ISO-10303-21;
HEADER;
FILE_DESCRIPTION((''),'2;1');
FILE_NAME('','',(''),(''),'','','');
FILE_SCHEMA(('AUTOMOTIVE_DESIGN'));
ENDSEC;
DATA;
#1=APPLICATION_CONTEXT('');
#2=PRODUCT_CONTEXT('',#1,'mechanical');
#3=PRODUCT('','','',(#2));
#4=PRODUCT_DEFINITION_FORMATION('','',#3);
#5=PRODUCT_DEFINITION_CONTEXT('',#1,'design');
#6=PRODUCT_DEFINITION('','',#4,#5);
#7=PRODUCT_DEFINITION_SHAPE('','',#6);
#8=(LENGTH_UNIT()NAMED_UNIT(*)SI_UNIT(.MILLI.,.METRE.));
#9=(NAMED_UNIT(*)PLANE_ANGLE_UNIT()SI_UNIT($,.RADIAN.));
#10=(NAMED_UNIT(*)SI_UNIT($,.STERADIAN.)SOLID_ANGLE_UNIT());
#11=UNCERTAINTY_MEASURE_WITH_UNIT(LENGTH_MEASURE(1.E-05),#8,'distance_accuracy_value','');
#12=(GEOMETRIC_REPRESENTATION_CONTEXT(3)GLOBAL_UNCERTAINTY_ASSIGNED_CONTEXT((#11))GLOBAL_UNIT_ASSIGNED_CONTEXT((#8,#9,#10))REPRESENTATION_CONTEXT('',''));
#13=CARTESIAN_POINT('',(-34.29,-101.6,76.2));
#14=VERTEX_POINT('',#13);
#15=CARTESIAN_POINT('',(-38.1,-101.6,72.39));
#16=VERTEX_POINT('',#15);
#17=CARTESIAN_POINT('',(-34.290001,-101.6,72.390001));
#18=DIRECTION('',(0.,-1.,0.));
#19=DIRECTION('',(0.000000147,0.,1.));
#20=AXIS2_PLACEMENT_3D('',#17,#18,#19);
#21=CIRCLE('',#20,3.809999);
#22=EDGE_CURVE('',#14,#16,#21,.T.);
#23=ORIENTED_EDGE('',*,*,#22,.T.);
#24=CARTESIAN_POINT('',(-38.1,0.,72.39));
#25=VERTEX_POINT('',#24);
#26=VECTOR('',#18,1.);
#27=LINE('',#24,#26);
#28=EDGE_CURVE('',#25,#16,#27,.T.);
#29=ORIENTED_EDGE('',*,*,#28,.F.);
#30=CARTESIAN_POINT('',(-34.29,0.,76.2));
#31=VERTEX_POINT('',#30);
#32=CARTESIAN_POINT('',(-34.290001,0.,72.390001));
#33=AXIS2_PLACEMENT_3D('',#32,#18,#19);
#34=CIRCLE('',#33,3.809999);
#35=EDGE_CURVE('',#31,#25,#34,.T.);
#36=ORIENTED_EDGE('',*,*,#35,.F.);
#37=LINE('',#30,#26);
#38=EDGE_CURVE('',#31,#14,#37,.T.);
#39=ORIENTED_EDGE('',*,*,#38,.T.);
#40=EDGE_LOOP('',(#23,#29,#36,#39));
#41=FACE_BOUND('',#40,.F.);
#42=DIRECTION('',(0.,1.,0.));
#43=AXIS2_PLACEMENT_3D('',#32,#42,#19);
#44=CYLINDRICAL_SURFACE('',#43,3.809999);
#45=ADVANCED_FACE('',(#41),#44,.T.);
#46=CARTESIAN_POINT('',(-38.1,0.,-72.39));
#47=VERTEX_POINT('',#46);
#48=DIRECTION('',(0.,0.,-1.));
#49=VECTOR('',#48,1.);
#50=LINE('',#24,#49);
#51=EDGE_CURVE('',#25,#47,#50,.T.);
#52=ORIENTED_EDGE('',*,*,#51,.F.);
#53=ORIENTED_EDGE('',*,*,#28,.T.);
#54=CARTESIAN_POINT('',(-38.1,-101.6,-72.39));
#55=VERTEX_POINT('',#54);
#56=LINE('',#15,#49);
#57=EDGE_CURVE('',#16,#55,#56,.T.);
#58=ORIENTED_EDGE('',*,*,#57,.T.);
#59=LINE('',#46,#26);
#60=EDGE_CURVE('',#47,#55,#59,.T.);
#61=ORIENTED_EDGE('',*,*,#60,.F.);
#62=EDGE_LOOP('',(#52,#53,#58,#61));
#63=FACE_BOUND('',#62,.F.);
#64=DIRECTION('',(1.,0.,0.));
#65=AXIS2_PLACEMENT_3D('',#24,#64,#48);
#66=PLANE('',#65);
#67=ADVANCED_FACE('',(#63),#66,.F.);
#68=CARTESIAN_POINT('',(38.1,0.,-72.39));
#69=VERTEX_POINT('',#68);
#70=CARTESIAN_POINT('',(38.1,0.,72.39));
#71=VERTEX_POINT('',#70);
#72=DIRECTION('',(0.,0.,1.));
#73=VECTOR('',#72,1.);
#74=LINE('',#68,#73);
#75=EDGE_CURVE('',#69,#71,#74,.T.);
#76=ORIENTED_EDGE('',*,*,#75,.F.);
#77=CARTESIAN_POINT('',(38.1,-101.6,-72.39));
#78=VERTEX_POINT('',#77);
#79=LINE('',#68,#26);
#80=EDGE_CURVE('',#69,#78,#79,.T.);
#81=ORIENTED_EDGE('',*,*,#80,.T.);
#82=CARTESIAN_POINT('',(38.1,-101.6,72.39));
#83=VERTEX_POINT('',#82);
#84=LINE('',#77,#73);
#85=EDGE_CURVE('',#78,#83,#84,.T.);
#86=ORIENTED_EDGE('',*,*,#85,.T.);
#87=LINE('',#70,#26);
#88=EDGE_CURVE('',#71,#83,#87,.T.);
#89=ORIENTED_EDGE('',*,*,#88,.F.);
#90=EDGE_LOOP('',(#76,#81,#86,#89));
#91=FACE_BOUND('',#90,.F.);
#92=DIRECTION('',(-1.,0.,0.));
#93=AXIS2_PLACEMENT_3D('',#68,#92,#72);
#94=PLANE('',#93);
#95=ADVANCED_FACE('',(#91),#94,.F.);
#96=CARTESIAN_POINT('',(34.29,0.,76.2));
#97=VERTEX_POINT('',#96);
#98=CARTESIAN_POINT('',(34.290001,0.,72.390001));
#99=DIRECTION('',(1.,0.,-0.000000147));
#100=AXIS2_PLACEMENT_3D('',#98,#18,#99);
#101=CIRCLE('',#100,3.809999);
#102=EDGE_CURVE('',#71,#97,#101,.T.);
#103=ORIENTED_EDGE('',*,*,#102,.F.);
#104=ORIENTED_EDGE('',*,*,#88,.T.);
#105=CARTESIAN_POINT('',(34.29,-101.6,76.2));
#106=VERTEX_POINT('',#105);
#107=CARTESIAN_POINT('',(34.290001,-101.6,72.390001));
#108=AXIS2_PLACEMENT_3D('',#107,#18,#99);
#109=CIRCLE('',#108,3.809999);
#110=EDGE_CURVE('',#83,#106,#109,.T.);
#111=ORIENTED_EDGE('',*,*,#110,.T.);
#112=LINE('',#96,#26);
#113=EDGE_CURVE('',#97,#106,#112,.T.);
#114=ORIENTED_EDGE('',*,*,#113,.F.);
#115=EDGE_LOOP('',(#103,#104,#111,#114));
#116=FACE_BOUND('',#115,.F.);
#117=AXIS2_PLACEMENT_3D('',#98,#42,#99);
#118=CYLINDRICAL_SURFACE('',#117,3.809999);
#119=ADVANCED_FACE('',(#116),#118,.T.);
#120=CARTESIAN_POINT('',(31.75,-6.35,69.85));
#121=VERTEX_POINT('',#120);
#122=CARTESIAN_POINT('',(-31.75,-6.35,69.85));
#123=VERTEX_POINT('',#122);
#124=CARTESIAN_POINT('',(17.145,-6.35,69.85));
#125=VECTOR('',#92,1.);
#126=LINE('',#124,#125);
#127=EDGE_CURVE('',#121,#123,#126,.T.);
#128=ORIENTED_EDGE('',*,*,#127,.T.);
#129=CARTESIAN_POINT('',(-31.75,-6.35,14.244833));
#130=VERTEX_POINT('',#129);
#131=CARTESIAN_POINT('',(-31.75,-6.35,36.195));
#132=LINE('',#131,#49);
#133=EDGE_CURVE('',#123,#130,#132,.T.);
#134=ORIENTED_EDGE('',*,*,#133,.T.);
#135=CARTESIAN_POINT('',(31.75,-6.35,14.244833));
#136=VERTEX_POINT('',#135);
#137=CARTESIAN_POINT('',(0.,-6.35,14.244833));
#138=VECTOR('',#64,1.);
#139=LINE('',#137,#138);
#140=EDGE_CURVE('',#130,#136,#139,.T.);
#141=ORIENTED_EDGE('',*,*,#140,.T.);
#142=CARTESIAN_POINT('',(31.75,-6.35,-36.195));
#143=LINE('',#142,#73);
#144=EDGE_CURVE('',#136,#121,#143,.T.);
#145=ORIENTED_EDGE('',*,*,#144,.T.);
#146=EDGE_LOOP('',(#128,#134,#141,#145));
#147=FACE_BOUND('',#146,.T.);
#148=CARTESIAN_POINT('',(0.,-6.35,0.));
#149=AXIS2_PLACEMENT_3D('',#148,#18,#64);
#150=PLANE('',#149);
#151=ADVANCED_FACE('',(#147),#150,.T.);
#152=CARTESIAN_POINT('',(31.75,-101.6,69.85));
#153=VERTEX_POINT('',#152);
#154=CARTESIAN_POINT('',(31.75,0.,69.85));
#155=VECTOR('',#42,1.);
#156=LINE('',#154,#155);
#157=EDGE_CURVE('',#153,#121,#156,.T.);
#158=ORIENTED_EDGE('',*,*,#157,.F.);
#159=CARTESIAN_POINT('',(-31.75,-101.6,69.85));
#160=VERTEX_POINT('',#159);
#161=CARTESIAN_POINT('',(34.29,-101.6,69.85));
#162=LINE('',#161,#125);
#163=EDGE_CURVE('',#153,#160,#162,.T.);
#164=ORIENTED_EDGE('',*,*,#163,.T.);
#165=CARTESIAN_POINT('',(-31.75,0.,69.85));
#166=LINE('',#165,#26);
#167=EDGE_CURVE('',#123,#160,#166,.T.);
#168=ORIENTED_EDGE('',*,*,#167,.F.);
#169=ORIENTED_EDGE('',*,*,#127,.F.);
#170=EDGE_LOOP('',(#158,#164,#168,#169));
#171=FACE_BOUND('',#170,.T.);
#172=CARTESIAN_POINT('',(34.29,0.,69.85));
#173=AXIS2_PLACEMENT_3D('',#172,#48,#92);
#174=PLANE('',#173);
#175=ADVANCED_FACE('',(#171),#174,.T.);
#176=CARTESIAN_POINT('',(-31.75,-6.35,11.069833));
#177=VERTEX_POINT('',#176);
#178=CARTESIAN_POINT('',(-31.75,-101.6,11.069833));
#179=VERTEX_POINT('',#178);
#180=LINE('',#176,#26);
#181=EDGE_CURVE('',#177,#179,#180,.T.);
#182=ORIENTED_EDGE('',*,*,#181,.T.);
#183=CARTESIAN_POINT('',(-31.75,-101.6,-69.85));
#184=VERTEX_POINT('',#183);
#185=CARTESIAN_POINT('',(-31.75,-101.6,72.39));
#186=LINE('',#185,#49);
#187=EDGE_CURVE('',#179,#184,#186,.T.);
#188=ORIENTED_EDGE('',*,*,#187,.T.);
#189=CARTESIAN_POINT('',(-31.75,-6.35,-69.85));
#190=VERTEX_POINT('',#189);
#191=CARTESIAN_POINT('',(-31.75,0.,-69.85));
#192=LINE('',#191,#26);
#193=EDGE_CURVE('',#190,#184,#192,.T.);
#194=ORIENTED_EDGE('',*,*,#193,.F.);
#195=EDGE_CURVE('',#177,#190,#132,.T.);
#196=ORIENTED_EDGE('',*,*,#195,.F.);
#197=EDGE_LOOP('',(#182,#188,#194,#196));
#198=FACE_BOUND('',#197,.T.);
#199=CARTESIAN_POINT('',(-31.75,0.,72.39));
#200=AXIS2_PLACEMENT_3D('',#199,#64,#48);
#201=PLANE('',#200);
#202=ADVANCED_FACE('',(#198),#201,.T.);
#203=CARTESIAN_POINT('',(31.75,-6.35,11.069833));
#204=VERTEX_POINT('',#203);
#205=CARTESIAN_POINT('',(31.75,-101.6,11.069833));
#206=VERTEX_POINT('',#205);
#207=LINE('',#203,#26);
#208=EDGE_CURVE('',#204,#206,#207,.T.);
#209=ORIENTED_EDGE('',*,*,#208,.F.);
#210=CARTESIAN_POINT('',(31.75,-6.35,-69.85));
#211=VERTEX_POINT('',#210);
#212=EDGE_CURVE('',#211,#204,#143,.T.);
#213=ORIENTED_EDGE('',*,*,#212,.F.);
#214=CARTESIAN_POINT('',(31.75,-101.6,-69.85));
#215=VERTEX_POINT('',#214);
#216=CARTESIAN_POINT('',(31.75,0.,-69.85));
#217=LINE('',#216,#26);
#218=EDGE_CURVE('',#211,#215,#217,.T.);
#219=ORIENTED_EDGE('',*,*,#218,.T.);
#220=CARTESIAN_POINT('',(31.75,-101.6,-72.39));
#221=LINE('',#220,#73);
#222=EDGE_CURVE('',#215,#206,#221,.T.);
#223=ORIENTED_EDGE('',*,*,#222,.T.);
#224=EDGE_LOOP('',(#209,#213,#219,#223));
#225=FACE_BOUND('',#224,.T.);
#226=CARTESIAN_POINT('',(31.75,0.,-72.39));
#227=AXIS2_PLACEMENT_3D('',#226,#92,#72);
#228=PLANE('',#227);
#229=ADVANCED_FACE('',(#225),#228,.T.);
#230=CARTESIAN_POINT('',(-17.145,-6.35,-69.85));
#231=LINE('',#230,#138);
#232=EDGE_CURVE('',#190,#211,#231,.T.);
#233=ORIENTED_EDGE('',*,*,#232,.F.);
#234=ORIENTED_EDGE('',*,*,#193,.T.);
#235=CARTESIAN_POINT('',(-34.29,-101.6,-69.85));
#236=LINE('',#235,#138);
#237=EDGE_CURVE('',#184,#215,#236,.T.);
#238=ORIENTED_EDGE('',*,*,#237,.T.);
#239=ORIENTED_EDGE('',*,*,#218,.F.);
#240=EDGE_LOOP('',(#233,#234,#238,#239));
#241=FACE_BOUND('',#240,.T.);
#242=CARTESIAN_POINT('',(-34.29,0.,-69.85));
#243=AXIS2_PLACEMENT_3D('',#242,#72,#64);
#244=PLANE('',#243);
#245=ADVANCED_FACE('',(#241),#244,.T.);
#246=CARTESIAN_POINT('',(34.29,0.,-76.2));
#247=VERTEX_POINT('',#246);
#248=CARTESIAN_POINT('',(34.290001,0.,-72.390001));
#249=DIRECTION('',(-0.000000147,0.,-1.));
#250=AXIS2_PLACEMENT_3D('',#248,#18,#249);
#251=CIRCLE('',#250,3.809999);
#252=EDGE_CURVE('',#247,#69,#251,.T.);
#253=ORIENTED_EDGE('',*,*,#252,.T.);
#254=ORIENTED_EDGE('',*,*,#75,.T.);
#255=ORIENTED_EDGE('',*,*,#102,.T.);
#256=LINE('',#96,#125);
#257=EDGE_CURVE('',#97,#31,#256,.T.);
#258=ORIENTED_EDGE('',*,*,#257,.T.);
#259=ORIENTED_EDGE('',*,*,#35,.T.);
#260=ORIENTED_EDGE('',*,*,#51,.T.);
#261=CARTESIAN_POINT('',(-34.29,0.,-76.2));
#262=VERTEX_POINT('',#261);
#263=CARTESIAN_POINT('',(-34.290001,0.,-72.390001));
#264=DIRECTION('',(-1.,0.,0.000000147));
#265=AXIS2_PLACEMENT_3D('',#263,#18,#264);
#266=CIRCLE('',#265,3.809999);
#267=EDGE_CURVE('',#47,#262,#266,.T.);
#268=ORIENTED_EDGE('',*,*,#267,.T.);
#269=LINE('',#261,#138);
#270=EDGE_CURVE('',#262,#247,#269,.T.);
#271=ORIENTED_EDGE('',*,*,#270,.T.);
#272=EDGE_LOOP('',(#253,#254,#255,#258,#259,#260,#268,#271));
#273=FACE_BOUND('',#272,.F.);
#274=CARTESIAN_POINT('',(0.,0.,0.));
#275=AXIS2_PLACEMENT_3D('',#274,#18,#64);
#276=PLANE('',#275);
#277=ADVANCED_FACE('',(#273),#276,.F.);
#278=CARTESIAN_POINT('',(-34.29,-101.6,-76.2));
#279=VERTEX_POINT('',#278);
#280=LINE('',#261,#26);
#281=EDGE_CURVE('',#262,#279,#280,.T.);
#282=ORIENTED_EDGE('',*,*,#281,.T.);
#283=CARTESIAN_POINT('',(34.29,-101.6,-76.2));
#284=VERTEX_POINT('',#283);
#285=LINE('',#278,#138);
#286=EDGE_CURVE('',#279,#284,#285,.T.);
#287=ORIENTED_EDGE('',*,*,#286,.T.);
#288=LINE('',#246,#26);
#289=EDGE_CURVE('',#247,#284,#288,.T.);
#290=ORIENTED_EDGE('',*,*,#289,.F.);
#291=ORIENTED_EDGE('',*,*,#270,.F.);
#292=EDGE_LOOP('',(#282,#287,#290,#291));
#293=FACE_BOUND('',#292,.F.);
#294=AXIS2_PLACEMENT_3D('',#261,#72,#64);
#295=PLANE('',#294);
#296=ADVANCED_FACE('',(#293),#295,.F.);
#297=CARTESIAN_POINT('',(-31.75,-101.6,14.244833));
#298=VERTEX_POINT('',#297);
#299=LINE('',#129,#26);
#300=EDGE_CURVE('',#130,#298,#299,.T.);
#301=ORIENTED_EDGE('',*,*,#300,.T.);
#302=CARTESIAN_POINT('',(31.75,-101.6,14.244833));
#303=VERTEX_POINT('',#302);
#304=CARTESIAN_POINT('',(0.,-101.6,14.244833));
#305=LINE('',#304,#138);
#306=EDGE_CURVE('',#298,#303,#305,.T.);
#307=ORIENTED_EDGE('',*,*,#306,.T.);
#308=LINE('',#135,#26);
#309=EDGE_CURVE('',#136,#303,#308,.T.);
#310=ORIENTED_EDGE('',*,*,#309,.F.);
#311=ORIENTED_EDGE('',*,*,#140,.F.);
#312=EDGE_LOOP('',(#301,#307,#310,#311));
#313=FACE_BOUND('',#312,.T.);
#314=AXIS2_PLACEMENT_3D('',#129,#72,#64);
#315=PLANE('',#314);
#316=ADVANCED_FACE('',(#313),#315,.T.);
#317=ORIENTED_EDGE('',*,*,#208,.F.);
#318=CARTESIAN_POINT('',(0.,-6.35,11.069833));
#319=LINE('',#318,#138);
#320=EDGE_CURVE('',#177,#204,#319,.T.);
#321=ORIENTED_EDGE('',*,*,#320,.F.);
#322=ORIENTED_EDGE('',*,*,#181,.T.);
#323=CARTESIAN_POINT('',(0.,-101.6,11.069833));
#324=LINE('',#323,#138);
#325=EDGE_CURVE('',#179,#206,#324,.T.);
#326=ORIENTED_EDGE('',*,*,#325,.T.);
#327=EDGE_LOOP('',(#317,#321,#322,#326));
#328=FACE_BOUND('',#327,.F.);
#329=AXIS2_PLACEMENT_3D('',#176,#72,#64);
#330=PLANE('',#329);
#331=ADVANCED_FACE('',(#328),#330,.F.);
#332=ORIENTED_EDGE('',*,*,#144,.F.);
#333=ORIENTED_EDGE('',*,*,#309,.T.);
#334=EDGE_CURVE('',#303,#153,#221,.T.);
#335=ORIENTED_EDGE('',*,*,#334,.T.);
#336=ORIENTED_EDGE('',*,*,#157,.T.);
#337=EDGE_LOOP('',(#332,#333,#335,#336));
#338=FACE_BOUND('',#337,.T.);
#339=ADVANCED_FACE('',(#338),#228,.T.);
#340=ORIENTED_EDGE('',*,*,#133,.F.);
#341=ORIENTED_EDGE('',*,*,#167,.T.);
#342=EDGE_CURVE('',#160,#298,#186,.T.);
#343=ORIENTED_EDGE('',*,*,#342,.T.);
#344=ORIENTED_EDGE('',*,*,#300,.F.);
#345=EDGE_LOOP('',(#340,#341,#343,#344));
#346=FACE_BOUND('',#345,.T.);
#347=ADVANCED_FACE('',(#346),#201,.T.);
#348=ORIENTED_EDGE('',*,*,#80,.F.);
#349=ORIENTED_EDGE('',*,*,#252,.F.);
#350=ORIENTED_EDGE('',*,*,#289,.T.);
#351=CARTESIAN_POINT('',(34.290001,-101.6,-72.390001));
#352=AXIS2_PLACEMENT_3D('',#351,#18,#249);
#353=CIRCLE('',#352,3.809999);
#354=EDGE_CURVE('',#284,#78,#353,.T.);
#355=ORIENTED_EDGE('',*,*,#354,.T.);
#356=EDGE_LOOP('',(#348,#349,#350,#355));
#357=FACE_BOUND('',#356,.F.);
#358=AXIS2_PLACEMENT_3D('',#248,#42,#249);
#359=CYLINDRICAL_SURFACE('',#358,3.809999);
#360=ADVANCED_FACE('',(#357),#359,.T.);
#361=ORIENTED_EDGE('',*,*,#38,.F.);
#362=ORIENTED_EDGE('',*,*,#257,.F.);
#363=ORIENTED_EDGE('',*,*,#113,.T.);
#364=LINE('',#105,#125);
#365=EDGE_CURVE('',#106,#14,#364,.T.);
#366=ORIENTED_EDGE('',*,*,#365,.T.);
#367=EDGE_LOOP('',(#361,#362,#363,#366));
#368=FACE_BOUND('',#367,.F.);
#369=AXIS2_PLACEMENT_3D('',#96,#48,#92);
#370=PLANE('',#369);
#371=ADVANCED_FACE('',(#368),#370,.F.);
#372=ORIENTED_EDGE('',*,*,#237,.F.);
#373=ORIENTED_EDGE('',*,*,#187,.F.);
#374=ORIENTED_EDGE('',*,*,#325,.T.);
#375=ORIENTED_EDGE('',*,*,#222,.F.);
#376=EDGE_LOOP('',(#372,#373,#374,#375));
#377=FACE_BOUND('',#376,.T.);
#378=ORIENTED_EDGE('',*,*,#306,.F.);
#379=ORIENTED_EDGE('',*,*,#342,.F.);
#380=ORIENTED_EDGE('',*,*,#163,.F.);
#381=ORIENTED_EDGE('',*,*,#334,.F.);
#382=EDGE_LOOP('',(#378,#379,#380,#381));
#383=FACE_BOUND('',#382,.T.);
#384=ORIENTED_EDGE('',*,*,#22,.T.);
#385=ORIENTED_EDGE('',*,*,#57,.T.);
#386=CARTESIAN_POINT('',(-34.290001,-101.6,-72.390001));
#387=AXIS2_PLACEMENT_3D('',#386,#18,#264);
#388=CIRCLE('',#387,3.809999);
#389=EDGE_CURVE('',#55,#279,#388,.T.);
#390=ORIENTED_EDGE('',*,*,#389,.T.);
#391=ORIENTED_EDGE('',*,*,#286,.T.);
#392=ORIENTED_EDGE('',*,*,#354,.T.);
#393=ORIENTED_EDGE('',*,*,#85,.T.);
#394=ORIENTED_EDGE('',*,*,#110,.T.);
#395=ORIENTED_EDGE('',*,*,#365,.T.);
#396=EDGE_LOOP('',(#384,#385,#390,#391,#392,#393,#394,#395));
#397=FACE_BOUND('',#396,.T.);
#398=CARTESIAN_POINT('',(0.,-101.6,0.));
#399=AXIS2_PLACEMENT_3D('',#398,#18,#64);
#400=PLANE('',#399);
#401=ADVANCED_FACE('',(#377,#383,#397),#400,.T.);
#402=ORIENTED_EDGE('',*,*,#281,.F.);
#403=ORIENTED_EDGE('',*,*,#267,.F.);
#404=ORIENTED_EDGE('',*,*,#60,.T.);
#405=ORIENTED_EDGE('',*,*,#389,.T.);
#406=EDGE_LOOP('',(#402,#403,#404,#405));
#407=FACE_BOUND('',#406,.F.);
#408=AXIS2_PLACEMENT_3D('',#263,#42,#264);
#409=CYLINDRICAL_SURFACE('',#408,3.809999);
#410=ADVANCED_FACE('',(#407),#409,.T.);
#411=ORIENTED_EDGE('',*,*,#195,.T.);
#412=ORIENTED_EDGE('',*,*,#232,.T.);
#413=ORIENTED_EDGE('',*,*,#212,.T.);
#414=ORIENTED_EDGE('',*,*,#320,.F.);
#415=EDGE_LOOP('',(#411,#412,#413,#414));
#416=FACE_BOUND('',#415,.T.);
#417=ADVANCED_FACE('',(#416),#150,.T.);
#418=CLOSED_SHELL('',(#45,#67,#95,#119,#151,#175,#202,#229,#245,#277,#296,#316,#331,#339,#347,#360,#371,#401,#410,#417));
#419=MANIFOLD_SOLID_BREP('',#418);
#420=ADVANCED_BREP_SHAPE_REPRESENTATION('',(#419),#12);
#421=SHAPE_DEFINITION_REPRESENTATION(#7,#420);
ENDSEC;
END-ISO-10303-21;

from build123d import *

# Parameters (mm, degrees)
F1_DEPTH = 101.6
F2_T     = -6.35
F3_W     = 63.5
F3_H     = 3.175
F4_DEPTH = 95.25


with BuildPart() as f1:
    # F0 (on Front) → F1 (new body)
    with BuildSketch(Plane.XZ):
        with BuildLine():
            Line((34.29, 76.2), (-34.29, 76.2))
            ThreePointArc((-34.29, 76.2), (-36.984077, 75.084077), (-38.1, 72.39))
            Line((-38.1, 72.39), (-38.1, -72.39))
            ThreePointArc((-38.1, -72.39), (-36.984077, -75.084077), (-34.29, -76.2))
            Line((-34.29, -76.2), (34.29, -76.2))
            ThreePointArc((34.29, -76.2), (36.984077, -75.084077), (38.1, -72.39))
            Line((38.1, -72.39), (38.1, 72.39))
            ThreePointArc((38.1, 72.39), (36.984077, 75.084077), (34.29, 76.2))
        make_face()
    extrude(amount=F1_DEPTH)

    # F2
    f2_openings = [f1.faces().sort_by_distance(p)[0] for p in [
        (0, -101.6, 0),
    ]]
    offset(amount=F2_T, openings=f2_openings)

    # F3 (on face) → F4 (join)
    with BuildSketch(Plane.XZ.offset(6.35)):
        with Locations((0, 12.657333)):
            Rectangle(F3_W, F3_H)
    extrude(amount=F4_DEPTH)


solid = f1.part
